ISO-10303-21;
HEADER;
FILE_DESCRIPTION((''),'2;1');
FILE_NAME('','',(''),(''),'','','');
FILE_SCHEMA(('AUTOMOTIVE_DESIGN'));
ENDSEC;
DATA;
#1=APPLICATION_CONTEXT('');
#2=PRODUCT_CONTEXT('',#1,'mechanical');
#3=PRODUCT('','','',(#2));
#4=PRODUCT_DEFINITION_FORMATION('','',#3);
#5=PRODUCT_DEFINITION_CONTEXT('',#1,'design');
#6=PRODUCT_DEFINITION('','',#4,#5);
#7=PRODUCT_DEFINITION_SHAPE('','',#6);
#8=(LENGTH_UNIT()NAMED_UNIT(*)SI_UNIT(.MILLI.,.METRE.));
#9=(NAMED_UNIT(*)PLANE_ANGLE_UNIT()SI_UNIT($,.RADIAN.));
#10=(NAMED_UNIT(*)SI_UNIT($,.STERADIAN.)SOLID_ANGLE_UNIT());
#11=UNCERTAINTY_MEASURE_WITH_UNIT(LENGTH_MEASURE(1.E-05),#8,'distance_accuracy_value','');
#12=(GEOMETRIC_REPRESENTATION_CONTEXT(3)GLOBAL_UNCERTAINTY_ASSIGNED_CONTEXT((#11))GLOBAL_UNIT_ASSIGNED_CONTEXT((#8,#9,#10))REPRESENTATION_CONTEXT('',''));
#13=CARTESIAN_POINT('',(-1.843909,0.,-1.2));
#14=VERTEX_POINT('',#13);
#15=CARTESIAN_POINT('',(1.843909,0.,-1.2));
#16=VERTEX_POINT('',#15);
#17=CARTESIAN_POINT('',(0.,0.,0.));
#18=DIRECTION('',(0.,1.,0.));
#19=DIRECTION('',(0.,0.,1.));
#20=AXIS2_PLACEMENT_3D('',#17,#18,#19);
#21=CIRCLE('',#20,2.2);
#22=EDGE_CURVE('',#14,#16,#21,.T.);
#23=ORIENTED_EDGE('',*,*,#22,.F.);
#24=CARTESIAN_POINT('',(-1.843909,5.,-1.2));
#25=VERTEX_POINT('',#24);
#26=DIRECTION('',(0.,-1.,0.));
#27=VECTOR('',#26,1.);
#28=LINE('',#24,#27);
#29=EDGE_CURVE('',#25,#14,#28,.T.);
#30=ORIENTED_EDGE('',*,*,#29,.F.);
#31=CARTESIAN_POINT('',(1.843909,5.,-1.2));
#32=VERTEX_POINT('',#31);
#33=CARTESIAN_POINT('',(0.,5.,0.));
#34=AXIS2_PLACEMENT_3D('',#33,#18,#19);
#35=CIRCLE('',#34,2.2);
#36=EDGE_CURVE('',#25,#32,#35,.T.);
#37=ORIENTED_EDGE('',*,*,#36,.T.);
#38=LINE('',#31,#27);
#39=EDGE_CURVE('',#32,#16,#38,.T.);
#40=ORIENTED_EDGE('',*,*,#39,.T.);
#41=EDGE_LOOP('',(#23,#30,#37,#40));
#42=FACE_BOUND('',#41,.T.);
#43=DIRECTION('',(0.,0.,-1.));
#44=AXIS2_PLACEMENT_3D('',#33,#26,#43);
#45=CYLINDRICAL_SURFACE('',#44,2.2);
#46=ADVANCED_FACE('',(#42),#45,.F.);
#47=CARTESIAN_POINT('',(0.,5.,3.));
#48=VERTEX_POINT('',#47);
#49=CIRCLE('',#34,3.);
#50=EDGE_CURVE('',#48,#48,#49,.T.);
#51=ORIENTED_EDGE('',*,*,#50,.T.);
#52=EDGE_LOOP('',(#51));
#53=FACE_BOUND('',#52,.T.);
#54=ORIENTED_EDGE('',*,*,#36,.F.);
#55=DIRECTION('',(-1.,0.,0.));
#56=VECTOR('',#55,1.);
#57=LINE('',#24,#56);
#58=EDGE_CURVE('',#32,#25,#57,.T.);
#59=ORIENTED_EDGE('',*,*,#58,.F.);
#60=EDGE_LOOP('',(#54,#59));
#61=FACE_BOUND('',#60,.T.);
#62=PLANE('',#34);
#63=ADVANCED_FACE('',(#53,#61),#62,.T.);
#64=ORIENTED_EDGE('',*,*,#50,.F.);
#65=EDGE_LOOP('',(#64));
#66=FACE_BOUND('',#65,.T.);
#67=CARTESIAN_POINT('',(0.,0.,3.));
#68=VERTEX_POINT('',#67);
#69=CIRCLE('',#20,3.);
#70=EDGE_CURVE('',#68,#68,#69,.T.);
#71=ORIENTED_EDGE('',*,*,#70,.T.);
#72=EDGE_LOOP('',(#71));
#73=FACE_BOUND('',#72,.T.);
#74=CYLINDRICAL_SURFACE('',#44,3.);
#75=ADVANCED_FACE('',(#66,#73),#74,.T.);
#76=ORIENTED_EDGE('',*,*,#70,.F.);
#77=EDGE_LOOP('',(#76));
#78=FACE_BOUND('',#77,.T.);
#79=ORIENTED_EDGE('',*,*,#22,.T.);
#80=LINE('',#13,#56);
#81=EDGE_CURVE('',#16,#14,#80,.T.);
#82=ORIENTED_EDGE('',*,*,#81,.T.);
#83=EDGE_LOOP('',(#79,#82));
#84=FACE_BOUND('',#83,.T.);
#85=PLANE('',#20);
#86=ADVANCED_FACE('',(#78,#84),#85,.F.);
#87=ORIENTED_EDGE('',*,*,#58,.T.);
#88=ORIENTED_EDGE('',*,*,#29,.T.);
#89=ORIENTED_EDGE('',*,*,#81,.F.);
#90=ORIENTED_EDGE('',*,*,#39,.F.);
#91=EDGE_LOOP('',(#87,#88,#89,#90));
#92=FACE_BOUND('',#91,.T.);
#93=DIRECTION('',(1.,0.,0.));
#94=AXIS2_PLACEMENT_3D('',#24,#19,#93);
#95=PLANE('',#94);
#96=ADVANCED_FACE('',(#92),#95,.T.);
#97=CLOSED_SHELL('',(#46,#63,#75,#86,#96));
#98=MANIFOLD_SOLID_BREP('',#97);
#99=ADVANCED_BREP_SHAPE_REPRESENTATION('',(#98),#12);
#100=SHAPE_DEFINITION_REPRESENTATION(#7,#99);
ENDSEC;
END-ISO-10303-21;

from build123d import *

# Parameters (mm, degrees)
SKETCH3_R           = 3
BOSS_EXTRUDE3_DEPTH = 5


with BuildPart() as part:
    # Sketch3 → Boss-Extrude3 (new body)
    with BuildSketch(Plane(origin=(0, 0, 0), x_dir=(1, 0, 0), z_dir=(0, 1, 0))):
        with Locations(Location((0, 0, 0), (0, 0, 270))):
            Circle(SKETCH3_R)
        with BuildLine():
            Line((-1.843908891, 1.2), (1.843908891, 1.2))
            ThreePointArc((1.843908891, 1.2), (0, -2.2), (-1.843908891, 1.2))
        make_face(mode=Mode.SUBTRACT)
    extrude(amount=BOSS_EXTRUDE3_DEPTH)


solid = part.part
